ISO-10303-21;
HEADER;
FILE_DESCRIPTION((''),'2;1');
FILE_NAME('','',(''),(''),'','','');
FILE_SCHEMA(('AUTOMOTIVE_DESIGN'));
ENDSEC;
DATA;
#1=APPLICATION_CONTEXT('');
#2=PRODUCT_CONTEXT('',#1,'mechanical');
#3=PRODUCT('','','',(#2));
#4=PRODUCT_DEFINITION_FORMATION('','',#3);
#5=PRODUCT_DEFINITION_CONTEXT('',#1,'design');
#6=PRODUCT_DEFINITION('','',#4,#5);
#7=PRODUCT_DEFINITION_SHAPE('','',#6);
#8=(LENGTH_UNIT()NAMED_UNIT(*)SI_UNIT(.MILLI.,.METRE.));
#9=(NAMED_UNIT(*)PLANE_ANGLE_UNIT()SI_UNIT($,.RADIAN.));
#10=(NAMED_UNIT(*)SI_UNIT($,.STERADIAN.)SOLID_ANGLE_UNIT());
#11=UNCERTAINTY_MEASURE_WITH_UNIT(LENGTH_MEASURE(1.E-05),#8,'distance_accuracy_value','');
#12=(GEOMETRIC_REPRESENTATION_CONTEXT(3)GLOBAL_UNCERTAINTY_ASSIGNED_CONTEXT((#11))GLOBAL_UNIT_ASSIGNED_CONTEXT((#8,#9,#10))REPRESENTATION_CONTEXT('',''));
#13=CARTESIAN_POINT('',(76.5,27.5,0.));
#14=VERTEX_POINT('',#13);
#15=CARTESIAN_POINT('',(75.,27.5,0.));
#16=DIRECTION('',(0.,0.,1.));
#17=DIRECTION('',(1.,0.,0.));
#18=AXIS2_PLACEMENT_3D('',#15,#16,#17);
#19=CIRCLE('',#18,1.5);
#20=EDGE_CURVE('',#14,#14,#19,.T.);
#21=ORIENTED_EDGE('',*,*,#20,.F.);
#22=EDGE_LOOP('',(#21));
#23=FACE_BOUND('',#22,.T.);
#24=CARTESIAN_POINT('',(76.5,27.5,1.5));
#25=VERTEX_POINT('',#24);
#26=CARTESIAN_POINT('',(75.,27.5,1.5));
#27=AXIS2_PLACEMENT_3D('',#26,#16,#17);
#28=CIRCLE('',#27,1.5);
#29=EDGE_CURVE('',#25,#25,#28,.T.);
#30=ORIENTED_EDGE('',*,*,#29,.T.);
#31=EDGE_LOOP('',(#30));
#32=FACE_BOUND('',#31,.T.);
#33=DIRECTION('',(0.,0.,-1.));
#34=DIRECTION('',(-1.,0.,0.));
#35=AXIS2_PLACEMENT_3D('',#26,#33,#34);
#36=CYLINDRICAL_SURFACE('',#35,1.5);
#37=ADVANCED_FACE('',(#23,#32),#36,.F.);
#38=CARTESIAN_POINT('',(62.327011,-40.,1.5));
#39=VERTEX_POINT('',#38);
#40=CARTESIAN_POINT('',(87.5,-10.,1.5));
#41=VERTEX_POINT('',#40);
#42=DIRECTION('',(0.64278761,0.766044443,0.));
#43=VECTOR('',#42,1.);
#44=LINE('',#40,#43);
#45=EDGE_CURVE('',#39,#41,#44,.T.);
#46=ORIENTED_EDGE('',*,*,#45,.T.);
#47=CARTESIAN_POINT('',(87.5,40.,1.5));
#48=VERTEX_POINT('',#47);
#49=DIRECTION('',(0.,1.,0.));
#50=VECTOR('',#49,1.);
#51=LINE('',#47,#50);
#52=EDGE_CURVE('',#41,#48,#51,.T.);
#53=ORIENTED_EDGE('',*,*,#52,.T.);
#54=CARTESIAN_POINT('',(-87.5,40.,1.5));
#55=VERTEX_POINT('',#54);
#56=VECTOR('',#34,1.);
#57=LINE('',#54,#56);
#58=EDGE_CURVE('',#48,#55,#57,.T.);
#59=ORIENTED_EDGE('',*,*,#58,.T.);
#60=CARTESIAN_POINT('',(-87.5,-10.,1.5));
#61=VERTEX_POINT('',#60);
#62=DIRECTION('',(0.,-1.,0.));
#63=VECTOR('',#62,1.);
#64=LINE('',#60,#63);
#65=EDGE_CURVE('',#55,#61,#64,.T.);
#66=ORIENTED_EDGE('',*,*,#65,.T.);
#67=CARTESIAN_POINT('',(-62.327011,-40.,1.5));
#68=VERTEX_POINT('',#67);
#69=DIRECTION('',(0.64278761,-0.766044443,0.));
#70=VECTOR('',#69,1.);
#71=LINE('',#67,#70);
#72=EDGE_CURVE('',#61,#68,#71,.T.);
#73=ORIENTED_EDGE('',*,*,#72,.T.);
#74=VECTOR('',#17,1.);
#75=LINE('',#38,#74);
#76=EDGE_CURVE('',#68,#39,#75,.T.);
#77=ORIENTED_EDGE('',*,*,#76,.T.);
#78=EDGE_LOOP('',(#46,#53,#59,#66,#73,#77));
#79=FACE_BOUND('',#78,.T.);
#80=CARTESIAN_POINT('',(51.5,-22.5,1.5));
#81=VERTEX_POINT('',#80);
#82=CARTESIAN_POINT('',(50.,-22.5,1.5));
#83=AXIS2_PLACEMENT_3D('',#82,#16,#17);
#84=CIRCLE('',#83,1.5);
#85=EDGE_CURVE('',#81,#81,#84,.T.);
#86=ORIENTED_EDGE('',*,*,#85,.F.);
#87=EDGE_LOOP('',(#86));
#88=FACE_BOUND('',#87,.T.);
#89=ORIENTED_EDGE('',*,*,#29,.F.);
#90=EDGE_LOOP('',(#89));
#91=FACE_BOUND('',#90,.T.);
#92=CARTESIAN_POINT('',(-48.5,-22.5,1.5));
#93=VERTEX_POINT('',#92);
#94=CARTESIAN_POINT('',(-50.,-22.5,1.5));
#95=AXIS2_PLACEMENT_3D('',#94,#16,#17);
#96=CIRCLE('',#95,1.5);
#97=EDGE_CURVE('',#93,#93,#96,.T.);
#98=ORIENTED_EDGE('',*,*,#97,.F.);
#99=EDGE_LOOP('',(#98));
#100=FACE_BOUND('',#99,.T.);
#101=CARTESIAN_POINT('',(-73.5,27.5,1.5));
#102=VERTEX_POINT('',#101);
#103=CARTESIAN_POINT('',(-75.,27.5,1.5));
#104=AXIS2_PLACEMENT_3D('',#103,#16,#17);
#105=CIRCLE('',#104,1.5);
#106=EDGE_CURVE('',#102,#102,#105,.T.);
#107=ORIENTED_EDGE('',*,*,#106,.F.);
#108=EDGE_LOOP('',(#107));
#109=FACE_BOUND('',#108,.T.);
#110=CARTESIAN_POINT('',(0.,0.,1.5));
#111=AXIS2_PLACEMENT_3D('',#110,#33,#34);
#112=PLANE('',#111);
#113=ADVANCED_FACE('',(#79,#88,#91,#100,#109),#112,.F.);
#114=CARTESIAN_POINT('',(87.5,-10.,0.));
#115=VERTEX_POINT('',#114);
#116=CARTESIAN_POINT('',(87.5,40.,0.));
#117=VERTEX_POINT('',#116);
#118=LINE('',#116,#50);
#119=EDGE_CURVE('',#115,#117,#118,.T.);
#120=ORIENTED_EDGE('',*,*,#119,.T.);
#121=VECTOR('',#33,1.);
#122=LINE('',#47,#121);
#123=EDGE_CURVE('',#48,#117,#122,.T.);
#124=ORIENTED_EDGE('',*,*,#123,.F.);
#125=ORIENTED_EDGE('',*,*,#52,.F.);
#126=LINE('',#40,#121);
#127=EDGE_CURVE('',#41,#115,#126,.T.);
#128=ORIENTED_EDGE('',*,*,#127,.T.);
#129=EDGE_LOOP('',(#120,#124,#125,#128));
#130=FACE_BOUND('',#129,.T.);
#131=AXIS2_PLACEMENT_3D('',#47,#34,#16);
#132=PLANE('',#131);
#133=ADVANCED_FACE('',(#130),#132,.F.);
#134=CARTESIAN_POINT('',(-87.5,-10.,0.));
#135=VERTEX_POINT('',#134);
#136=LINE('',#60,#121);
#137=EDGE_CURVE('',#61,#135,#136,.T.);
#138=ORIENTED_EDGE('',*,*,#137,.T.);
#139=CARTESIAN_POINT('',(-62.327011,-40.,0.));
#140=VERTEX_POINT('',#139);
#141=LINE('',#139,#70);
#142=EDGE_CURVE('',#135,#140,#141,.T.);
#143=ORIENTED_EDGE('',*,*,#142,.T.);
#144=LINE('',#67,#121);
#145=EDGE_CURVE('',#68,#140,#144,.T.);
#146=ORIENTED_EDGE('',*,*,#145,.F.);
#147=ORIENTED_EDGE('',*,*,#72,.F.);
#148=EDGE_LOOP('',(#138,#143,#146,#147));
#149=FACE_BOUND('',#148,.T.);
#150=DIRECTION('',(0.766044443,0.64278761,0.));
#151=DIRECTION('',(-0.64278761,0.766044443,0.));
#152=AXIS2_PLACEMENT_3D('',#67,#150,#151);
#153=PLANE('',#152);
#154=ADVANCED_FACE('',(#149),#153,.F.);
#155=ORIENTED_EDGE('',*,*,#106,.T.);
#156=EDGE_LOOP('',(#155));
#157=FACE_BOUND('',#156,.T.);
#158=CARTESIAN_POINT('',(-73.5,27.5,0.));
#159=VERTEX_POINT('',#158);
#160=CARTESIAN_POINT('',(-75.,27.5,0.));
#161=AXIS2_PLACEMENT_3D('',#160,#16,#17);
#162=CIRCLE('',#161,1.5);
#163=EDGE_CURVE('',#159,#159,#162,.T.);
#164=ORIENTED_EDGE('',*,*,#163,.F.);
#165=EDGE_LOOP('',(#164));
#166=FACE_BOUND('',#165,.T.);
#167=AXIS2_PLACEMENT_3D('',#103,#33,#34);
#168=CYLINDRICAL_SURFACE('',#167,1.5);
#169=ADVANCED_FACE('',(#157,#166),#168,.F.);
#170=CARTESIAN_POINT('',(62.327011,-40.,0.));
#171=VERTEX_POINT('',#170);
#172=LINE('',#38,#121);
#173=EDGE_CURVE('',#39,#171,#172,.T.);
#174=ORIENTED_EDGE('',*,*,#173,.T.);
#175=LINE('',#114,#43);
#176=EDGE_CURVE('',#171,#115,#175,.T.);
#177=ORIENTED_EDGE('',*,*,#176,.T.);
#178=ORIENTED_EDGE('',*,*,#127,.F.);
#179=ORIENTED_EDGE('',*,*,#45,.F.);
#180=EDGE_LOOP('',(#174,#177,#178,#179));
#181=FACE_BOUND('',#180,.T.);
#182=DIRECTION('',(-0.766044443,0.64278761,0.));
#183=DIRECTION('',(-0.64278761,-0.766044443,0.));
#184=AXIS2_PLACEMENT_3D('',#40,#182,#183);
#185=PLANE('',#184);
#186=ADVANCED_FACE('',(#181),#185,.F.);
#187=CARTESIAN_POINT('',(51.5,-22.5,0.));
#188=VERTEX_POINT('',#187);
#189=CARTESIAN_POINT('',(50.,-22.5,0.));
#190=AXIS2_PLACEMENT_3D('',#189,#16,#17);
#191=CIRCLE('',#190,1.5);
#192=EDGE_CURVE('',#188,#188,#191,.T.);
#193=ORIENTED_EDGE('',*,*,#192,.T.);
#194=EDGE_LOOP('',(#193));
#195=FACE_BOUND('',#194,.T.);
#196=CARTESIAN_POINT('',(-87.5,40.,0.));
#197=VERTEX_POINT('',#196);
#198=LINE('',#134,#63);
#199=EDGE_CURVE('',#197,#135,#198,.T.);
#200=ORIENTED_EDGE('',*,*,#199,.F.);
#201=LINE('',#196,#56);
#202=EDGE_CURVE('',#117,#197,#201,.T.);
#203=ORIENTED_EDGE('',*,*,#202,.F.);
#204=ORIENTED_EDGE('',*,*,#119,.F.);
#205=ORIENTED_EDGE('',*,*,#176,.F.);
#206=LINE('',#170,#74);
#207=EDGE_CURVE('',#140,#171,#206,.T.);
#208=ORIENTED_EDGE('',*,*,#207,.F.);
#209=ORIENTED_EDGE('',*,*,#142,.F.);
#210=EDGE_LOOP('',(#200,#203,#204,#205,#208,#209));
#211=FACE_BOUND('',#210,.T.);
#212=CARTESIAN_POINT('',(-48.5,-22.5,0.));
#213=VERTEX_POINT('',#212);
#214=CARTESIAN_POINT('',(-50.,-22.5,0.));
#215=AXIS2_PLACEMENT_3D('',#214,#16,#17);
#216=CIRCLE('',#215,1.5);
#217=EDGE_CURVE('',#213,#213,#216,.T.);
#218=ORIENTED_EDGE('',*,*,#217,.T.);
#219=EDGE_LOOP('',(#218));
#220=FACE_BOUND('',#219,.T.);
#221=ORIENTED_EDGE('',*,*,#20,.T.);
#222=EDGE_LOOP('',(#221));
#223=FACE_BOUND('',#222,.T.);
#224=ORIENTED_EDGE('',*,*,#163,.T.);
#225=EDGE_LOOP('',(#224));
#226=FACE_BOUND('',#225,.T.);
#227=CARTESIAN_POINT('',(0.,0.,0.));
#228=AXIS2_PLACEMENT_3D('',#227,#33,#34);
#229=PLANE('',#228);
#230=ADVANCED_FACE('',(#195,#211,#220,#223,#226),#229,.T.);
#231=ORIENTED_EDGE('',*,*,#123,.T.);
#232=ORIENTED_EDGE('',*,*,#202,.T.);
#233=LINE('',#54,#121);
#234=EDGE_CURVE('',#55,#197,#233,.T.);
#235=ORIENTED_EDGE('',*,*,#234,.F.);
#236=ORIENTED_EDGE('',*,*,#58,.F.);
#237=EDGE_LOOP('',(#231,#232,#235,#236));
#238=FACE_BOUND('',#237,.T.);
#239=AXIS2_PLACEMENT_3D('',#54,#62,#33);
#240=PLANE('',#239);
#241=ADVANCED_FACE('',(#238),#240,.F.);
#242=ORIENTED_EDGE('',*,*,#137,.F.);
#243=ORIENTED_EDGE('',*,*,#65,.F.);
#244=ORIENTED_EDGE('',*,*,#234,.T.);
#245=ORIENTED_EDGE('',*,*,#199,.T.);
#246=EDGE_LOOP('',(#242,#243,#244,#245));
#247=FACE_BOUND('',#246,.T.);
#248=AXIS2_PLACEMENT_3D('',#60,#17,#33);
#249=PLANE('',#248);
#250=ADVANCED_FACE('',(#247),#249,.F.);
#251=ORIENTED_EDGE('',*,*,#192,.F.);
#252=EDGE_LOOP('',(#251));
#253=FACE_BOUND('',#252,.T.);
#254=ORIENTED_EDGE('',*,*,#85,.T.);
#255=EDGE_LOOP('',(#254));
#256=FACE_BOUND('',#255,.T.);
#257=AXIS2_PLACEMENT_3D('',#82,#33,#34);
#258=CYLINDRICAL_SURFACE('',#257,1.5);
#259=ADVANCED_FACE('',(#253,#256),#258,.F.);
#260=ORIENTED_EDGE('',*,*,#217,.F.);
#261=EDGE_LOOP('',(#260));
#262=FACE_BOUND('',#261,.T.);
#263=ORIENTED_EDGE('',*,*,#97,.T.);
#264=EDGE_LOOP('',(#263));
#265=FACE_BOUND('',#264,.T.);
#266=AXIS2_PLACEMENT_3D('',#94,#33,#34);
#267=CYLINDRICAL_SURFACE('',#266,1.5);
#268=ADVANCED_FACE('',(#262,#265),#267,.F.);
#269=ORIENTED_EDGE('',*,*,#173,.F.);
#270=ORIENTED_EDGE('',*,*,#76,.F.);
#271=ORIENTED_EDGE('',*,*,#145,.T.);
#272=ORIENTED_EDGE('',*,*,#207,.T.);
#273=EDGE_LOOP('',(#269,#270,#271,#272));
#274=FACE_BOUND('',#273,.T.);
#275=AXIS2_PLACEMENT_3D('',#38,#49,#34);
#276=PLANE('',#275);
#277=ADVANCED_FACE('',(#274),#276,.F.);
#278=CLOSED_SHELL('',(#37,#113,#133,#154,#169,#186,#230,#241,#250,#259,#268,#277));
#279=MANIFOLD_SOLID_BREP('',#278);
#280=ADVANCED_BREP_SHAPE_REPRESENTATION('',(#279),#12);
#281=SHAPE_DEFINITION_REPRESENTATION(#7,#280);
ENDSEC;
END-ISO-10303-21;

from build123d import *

# Parameters (mm, degrees)
SKETCH1_R           = 1.5
BOSS_EXTRUDE1_DEPTH = 1.5


with BuildPart() as part:
    # Sketch1 → Boss-Extrude1 (new body)
    with BuildSketch(Plane.XY):
        Polygon((-87.5, 40), (87.5, 40), (87.5, -10), (62.327011065, -40), (-62.327011065, -40), (-87.5, -10), align=None)
        with Locations((-75, 27.5)):
            Circle(SKETCH1_R, mode=Mode.SUBTRACT)
        with Locations((-50, -22.5)):
            Circle(SKETCH1_R, mode=Mode.SUBTRACT)
        with Locations((50, -22.5)):
            Circle(SKETCH1_R, mode=Mode.SUBTRACT)
        with Locations((75, 27.5)):
            Circle(SKETCH1_R, mode=Mode.SUBTRACT)
    extrude(amount=BOSS_EXTRUDE1_DEPTH)


solid = part.part
